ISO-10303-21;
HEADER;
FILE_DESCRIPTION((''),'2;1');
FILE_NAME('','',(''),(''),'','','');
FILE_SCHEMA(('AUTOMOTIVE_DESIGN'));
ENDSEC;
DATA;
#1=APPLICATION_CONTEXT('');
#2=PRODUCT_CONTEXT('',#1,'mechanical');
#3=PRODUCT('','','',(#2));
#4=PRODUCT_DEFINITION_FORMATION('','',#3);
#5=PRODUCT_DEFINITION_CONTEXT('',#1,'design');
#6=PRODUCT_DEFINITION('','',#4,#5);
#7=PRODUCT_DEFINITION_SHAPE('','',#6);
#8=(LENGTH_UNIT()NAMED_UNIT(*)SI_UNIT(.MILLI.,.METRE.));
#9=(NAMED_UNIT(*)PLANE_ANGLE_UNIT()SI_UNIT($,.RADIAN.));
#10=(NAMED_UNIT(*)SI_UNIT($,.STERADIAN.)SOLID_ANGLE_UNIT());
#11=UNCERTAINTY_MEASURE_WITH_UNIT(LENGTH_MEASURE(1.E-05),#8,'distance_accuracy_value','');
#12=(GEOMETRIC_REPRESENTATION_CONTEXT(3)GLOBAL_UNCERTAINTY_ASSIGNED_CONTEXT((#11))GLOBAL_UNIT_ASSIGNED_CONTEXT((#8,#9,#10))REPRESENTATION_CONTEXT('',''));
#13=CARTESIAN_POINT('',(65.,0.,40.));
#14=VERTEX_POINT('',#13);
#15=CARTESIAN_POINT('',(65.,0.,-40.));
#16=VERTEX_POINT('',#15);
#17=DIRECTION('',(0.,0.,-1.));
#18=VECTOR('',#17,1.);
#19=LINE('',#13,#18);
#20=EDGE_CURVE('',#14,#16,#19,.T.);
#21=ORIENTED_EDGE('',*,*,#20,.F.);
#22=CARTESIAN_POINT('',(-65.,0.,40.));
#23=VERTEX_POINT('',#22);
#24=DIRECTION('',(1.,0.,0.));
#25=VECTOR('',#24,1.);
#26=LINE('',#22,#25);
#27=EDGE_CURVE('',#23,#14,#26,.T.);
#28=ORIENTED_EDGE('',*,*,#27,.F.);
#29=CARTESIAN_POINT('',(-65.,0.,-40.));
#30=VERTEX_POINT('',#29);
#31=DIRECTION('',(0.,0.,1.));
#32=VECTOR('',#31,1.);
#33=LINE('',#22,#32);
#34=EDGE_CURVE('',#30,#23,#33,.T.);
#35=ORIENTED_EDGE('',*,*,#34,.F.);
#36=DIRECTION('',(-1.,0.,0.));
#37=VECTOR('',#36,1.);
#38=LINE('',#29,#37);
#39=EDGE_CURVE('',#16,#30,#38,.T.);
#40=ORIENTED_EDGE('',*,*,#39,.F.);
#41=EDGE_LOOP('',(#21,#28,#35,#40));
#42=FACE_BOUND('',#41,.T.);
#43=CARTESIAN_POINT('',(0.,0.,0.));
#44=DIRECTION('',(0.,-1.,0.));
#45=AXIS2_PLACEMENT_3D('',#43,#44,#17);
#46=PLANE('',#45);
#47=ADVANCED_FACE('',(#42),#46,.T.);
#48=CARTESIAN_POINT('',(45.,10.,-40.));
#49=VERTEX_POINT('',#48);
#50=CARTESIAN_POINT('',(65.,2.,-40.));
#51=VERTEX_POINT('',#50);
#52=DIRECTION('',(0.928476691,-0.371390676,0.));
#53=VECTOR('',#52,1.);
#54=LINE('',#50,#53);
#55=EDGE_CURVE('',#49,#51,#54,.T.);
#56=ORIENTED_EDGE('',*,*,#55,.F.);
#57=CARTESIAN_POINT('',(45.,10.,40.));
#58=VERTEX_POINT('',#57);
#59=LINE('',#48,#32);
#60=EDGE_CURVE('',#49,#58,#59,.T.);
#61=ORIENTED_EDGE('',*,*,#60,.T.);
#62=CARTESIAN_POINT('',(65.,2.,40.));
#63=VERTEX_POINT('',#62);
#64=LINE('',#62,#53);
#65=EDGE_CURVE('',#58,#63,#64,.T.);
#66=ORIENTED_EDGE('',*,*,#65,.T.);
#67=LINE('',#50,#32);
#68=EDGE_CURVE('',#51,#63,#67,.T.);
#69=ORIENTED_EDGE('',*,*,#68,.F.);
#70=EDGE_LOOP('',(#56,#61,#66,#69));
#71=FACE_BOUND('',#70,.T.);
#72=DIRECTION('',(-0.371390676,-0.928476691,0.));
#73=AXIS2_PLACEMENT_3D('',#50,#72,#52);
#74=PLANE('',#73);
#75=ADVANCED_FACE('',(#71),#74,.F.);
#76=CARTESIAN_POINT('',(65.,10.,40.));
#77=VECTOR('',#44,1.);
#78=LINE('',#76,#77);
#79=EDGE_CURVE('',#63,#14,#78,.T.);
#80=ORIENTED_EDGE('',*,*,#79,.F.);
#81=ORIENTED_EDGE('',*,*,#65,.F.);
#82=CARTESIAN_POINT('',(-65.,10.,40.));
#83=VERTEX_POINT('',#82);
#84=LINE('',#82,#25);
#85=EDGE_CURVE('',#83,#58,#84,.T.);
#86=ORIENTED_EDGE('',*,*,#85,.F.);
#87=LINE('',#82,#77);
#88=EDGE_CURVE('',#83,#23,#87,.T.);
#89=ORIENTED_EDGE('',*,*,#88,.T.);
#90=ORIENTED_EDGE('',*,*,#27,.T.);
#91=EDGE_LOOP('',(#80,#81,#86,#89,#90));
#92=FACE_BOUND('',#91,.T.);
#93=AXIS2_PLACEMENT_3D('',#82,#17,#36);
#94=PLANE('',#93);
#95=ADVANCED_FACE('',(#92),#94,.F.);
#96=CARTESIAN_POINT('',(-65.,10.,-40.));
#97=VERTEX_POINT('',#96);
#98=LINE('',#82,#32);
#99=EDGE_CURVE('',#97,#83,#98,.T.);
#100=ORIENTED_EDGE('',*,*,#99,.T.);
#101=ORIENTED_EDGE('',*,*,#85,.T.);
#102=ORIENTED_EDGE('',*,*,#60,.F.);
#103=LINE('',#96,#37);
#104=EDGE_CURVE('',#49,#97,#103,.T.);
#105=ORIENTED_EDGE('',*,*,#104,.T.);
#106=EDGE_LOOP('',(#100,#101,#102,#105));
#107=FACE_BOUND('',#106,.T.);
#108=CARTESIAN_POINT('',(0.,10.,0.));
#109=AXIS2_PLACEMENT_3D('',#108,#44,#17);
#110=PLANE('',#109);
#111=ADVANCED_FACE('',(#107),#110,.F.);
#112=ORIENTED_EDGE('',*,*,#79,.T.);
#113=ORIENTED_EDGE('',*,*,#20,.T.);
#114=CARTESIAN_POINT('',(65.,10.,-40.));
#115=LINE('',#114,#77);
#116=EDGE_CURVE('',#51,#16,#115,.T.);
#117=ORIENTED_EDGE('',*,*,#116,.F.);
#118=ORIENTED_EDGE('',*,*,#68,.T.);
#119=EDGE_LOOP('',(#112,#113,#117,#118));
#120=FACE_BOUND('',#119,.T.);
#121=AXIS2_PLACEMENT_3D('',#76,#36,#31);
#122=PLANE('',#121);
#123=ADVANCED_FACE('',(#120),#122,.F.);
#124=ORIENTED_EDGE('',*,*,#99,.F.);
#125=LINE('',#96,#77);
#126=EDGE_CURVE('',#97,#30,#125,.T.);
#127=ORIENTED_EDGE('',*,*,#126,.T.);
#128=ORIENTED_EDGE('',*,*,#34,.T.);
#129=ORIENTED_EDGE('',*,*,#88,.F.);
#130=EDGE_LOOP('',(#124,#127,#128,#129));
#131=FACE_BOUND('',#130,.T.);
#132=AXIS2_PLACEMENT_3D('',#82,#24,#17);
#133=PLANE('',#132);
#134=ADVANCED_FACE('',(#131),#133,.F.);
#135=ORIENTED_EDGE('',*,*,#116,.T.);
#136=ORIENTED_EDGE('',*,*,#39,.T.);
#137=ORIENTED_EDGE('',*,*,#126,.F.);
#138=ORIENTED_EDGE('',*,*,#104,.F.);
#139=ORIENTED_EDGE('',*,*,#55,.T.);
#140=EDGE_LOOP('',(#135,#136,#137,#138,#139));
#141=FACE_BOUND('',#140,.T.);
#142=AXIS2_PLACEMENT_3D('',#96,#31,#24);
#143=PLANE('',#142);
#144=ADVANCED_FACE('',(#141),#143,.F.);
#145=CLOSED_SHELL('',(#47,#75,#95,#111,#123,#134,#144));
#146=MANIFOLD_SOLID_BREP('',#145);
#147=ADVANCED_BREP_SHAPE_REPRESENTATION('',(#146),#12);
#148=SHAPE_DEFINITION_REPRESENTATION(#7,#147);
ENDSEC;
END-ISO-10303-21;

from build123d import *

# Parameters (mm, degrees)
SKETCH1_W           = 130
SKETCH1_H           = 80
BOSS_EXTRUDE1_DEPTH = 10
CUT_EXTRUDE1_DEPTH  = 81


with BuildPart() as part:
    # Sketch1 → Boss-Extrude1 (new body)
    with BuildSketch(Plane(origin=(0, 0, 0), x_dir=(1, 0, 0), z_dir=(0, 1, 0))):
        Rectangle(SKETCH1_W, SKETCH1_H)
    extrude(amount=BOSS_EXTRUDE1_DEPTH)

    # Sketch2 → Cut-Extrude1 (cut, through all)
    with BuildSketch(Plane.XY.offset(40)):
        Polygon((65, 2), (45, 10), (65, 10), align=None)
    extrude(amount=-CUT_EXTRUDE1_DEPTH, mode=Mode.SUBTRACT)


solid = part.part
